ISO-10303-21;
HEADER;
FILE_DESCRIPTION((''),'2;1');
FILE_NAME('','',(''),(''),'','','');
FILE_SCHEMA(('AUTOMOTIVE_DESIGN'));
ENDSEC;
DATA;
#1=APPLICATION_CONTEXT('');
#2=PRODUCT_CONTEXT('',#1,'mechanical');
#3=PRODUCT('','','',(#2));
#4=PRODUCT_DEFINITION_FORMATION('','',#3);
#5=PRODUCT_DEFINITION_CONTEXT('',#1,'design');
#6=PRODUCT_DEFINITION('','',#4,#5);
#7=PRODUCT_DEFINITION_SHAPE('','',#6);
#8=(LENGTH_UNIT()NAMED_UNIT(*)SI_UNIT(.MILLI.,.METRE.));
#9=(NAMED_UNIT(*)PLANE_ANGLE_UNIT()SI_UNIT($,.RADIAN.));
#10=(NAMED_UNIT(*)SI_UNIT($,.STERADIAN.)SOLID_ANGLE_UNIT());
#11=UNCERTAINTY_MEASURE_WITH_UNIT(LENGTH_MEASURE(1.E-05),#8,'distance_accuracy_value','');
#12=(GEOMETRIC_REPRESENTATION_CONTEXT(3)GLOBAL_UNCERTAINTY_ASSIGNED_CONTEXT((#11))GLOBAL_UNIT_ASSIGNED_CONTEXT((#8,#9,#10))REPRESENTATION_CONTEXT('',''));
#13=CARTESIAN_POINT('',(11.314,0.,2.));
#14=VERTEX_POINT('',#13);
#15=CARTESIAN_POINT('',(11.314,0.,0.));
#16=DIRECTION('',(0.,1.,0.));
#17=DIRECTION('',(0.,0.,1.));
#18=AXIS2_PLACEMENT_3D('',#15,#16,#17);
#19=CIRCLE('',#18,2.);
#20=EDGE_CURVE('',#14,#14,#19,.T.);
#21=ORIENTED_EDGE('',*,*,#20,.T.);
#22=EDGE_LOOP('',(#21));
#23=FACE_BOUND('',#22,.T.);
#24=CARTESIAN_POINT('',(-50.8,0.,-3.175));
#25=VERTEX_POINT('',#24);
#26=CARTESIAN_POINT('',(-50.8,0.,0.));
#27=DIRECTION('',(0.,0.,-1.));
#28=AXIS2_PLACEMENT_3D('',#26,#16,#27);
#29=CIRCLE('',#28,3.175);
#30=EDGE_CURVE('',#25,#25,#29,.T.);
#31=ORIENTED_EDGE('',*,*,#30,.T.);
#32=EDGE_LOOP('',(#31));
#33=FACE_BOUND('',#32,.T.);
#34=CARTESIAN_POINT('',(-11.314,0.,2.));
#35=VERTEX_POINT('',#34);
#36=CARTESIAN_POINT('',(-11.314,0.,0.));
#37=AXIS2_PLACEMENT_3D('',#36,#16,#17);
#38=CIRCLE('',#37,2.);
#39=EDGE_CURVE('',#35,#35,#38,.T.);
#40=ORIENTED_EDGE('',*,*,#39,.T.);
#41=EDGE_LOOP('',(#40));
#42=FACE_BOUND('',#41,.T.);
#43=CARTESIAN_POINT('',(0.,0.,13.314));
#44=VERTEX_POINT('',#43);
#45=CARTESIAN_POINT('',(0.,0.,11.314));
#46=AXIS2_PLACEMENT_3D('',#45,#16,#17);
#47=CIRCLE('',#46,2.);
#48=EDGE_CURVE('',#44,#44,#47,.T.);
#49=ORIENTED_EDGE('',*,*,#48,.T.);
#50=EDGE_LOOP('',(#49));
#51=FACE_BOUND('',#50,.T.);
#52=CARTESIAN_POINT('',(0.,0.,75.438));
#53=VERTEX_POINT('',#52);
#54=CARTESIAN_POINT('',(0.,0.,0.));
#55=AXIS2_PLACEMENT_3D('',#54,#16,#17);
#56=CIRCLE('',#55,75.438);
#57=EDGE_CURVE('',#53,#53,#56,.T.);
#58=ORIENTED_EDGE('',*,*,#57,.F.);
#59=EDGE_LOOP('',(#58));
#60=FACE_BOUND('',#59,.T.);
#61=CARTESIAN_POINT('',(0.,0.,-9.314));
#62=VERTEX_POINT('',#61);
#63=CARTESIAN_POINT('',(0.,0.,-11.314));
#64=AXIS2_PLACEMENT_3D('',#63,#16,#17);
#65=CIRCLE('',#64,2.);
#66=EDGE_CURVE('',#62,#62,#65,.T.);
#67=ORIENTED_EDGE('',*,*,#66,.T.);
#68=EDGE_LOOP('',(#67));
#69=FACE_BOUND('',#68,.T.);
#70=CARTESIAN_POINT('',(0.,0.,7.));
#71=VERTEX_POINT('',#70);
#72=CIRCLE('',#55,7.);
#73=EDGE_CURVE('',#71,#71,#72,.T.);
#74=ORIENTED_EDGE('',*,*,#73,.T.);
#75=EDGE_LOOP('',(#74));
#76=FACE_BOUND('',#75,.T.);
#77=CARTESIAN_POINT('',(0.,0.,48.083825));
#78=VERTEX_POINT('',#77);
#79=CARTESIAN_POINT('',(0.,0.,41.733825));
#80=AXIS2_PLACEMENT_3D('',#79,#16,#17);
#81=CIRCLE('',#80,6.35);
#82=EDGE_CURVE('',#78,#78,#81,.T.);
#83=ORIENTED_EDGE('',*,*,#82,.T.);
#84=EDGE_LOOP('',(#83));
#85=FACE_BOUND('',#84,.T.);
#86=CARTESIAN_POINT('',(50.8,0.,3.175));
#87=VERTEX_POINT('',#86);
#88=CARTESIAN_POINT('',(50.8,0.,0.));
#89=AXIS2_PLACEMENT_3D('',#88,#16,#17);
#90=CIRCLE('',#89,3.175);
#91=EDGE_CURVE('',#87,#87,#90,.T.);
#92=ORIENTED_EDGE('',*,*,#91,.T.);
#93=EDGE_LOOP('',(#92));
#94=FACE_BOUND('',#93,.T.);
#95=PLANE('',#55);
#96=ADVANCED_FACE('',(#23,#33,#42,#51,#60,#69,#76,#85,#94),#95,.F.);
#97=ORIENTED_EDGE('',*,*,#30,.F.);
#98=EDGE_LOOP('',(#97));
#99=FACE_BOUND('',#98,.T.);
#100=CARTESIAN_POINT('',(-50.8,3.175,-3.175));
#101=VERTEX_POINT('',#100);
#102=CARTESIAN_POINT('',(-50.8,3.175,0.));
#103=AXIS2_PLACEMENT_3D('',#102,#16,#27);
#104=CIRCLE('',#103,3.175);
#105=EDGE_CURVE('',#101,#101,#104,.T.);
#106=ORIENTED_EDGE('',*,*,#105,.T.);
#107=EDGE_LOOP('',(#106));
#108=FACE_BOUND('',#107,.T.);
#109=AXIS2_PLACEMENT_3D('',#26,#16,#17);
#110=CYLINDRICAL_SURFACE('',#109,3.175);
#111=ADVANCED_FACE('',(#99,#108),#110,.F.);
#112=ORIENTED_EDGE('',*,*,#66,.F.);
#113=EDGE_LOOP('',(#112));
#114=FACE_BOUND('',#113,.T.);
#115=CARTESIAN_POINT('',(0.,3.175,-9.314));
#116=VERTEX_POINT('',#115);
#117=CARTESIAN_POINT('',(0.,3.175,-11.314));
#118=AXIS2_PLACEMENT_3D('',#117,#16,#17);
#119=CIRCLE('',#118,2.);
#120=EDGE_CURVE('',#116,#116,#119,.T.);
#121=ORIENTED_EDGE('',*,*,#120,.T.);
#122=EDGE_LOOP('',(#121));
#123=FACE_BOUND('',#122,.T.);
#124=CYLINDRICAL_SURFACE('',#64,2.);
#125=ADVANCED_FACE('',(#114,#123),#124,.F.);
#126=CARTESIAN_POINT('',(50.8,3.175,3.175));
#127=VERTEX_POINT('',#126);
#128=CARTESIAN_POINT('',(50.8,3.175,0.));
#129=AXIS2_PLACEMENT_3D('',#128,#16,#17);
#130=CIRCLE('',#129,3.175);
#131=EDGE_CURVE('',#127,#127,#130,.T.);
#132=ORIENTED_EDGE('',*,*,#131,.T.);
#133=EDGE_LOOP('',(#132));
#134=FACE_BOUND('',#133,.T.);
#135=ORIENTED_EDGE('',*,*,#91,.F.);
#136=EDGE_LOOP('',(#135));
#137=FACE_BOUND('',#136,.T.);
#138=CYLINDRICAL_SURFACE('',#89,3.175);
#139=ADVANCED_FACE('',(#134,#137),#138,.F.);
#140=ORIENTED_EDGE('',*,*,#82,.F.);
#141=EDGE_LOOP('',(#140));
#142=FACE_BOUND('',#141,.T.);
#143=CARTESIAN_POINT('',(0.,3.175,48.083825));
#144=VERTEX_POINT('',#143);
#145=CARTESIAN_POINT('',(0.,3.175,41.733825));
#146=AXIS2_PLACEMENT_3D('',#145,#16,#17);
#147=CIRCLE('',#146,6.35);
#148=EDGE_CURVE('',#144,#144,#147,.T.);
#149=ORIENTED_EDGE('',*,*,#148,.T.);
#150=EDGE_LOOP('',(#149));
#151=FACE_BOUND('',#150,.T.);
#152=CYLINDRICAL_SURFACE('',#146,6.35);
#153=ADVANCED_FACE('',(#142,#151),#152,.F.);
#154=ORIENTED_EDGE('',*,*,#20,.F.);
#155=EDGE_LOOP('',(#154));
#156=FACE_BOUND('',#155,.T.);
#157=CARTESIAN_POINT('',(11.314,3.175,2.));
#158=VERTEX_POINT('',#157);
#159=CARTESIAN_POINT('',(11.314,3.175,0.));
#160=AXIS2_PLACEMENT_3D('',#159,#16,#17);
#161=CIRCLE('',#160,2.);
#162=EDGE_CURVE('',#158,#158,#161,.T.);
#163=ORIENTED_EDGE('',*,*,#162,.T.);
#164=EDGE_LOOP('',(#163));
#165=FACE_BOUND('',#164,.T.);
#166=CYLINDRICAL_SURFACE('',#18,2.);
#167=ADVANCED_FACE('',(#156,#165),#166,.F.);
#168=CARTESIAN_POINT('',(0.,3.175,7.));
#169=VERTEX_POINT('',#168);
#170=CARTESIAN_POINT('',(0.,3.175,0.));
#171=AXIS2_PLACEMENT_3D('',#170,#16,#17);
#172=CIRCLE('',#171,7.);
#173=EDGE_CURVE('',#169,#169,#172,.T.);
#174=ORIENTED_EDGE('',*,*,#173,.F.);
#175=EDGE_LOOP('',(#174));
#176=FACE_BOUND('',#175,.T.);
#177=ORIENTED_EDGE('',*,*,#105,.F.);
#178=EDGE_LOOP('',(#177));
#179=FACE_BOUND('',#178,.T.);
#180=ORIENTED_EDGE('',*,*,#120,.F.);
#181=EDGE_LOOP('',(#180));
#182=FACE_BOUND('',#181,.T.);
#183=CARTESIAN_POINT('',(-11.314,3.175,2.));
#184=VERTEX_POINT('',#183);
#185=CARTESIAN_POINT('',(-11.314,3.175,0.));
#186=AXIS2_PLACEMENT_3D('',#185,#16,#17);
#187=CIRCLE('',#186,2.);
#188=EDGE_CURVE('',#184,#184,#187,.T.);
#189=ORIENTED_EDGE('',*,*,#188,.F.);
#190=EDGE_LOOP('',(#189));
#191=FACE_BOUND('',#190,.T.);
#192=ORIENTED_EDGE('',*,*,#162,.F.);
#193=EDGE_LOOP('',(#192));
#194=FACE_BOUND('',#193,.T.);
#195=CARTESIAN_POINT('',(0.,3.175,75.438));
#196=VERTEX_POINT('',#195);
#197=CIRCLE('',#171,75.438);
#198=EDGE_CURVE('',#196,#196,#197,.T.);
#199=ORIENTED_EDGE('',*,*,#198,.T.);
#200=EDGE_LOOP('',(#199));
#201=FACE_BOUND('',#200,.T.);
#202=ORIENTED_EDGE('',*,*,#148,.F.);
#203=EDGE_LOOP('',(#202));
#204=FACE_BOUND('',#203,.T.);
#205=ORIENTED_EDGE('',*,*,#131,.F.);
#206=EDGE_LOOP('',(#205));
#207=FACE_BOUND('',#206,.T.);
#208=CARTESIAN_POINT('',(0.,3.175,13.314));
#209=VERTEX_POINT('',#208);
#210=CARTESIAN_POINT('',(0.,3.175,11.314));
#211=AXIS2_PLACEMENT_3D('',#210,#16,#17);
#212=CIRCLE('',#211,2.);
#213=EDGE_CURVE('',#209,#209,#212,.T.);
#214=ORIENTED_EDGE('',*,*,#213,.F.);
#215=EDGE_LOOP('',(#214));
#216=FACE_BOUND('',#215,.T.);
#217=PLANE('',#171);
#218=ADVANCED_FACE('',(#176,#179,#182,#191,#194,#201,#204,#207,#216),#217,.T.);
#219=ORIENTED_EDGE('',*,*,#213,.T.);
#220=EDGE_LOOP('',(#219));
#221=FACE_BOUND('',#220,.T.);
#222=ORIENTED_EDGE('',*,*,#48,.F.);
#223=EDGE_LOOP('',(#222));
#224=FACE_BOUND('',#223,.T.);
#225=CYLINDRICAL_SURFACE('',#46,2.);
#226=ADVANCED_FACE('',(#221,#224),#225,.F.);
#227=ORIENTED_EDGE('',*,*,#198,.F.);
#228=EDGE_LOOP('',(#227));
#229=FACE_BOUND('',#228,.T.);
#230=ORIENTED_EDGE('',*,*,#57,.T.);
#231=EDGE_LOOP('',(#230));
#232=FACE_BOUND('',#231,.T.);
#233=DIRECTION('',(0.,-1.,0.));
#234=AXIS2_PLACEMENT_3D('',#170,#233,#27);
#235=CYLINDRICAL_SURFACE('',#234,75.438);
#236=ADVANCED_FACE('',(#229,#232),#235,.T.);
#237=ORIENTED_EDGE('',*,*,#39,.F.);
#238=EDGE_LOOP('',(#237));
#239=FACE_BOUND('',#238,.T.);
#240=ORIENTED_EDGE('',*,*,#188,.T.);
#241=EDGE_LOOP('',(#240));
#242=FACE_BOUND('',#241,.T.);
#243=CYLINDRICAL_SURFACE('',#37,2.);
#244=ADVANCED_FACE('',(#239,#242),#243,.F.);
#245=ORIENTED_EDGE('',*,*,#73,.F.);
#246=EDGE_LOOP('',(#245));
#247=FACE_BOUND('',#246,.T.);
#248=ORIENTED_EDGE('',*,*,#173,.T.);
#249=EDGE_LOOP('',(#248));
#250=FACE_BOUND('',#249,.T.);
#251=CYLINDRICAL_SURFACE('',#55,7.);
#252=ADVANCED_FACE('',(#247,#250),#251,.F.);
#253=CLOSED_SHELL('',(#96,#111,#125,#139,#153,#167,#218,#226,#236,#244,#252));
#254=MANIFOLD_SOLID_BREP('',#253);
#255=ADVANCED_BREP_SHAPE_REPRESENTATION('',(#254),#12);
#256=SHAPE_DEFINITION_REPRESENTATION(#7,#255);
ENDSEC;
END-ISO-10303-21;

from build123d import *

# Parameters (mm, degrees)
SKETCH1_R                  = 75.438
BOSS_EXTRUDE1_DEPTH        = 3.175
SKETCH2_R                  = 3.175
CUT_EXTRUDE1_DEPTH         = 107.732676875
SKETCH3_R                  = 7
SKETCH3_R_2                = 2
CUT_EXTRUDE2_DEPTH         = 107.732676875
F_1_2_0_5_DIAMETER_HOLE1_D = 12.7


with BuildPart() as part:
    # Sketch1 → Boss-Extrude1 (new body)
    with BuildSketch(Plane(origin=(0, 0, 0), x_dir=(1, 0, 0), z_dir=(0, 1, 0))):
        with Locations(Location((0, 0, 0), (0, 0, 270))):
            Circle(SKETCH1_R)
    extrude(amount=BOSS_EXTRUDE1_DEPTH)

    # Sketch2 → Cut-Extrude1 (cut, through all)
    with BuildSketch(Plane(origin=(0, 3.175, 0), x_dir=(1, 0, 0), z_dir=(0, 1, 0))):
        with Locations(Location((50.8, 0, 0), (0, 0, 270))):
            Circle(SKETCH2_R)
        with Locations(Location((-50.8, 0, 0), (0, 0, 90))):
            Circle(SKETCH2_R)
    extrude(amount=-CUT_EXTRUDE1_DEPTH, mode=Mode.SUBTRACT)

    # Sketch3 → Cut-Extrude2 (cut, through all)
    with BuildSketch(Plane(origin=(0, 3.175, 0), x_dir=(1, 0, 0), z_dir=(0, 1, 0))):
        with Locations(Location((0, 0, 0), (0, 0, 270))):
            Circle(SKETCH3_R)
        with Locations(Location((0, -11.314, 0), (0, 0, 270))):
            Circle(SKETCH3_R_2)
        with Locations(Location((-11.314, 0, 0), (0, 0, 270))):
            Circle(SKETCH3_R_2)
        with Locations(Location((11.314, 0, 0), (0, 0, 270))):
            Circle(SKETCH3_R_2)
        with Locations(Location((0, 11.314, 0), (0, 0, 270))):
            Circle(SKETCH3_R_2)
    extrude(amount=-CUT_EXTRUDE2_DEPTH, mode=Mode.SUBTRACT)

    # 1/2 (0.5) Diameter Hole1 (through all)
    with Locations(Plane(origin=(0, 3.175, 0), x_dir=(1, 0, 0), z_dir=(0, 1, 0))):
        with Locations((0, -41.73382544)):
            Hole(F_1_2_0_5_DIAMETER_HOLE1_D / 2)


solid = part.part
